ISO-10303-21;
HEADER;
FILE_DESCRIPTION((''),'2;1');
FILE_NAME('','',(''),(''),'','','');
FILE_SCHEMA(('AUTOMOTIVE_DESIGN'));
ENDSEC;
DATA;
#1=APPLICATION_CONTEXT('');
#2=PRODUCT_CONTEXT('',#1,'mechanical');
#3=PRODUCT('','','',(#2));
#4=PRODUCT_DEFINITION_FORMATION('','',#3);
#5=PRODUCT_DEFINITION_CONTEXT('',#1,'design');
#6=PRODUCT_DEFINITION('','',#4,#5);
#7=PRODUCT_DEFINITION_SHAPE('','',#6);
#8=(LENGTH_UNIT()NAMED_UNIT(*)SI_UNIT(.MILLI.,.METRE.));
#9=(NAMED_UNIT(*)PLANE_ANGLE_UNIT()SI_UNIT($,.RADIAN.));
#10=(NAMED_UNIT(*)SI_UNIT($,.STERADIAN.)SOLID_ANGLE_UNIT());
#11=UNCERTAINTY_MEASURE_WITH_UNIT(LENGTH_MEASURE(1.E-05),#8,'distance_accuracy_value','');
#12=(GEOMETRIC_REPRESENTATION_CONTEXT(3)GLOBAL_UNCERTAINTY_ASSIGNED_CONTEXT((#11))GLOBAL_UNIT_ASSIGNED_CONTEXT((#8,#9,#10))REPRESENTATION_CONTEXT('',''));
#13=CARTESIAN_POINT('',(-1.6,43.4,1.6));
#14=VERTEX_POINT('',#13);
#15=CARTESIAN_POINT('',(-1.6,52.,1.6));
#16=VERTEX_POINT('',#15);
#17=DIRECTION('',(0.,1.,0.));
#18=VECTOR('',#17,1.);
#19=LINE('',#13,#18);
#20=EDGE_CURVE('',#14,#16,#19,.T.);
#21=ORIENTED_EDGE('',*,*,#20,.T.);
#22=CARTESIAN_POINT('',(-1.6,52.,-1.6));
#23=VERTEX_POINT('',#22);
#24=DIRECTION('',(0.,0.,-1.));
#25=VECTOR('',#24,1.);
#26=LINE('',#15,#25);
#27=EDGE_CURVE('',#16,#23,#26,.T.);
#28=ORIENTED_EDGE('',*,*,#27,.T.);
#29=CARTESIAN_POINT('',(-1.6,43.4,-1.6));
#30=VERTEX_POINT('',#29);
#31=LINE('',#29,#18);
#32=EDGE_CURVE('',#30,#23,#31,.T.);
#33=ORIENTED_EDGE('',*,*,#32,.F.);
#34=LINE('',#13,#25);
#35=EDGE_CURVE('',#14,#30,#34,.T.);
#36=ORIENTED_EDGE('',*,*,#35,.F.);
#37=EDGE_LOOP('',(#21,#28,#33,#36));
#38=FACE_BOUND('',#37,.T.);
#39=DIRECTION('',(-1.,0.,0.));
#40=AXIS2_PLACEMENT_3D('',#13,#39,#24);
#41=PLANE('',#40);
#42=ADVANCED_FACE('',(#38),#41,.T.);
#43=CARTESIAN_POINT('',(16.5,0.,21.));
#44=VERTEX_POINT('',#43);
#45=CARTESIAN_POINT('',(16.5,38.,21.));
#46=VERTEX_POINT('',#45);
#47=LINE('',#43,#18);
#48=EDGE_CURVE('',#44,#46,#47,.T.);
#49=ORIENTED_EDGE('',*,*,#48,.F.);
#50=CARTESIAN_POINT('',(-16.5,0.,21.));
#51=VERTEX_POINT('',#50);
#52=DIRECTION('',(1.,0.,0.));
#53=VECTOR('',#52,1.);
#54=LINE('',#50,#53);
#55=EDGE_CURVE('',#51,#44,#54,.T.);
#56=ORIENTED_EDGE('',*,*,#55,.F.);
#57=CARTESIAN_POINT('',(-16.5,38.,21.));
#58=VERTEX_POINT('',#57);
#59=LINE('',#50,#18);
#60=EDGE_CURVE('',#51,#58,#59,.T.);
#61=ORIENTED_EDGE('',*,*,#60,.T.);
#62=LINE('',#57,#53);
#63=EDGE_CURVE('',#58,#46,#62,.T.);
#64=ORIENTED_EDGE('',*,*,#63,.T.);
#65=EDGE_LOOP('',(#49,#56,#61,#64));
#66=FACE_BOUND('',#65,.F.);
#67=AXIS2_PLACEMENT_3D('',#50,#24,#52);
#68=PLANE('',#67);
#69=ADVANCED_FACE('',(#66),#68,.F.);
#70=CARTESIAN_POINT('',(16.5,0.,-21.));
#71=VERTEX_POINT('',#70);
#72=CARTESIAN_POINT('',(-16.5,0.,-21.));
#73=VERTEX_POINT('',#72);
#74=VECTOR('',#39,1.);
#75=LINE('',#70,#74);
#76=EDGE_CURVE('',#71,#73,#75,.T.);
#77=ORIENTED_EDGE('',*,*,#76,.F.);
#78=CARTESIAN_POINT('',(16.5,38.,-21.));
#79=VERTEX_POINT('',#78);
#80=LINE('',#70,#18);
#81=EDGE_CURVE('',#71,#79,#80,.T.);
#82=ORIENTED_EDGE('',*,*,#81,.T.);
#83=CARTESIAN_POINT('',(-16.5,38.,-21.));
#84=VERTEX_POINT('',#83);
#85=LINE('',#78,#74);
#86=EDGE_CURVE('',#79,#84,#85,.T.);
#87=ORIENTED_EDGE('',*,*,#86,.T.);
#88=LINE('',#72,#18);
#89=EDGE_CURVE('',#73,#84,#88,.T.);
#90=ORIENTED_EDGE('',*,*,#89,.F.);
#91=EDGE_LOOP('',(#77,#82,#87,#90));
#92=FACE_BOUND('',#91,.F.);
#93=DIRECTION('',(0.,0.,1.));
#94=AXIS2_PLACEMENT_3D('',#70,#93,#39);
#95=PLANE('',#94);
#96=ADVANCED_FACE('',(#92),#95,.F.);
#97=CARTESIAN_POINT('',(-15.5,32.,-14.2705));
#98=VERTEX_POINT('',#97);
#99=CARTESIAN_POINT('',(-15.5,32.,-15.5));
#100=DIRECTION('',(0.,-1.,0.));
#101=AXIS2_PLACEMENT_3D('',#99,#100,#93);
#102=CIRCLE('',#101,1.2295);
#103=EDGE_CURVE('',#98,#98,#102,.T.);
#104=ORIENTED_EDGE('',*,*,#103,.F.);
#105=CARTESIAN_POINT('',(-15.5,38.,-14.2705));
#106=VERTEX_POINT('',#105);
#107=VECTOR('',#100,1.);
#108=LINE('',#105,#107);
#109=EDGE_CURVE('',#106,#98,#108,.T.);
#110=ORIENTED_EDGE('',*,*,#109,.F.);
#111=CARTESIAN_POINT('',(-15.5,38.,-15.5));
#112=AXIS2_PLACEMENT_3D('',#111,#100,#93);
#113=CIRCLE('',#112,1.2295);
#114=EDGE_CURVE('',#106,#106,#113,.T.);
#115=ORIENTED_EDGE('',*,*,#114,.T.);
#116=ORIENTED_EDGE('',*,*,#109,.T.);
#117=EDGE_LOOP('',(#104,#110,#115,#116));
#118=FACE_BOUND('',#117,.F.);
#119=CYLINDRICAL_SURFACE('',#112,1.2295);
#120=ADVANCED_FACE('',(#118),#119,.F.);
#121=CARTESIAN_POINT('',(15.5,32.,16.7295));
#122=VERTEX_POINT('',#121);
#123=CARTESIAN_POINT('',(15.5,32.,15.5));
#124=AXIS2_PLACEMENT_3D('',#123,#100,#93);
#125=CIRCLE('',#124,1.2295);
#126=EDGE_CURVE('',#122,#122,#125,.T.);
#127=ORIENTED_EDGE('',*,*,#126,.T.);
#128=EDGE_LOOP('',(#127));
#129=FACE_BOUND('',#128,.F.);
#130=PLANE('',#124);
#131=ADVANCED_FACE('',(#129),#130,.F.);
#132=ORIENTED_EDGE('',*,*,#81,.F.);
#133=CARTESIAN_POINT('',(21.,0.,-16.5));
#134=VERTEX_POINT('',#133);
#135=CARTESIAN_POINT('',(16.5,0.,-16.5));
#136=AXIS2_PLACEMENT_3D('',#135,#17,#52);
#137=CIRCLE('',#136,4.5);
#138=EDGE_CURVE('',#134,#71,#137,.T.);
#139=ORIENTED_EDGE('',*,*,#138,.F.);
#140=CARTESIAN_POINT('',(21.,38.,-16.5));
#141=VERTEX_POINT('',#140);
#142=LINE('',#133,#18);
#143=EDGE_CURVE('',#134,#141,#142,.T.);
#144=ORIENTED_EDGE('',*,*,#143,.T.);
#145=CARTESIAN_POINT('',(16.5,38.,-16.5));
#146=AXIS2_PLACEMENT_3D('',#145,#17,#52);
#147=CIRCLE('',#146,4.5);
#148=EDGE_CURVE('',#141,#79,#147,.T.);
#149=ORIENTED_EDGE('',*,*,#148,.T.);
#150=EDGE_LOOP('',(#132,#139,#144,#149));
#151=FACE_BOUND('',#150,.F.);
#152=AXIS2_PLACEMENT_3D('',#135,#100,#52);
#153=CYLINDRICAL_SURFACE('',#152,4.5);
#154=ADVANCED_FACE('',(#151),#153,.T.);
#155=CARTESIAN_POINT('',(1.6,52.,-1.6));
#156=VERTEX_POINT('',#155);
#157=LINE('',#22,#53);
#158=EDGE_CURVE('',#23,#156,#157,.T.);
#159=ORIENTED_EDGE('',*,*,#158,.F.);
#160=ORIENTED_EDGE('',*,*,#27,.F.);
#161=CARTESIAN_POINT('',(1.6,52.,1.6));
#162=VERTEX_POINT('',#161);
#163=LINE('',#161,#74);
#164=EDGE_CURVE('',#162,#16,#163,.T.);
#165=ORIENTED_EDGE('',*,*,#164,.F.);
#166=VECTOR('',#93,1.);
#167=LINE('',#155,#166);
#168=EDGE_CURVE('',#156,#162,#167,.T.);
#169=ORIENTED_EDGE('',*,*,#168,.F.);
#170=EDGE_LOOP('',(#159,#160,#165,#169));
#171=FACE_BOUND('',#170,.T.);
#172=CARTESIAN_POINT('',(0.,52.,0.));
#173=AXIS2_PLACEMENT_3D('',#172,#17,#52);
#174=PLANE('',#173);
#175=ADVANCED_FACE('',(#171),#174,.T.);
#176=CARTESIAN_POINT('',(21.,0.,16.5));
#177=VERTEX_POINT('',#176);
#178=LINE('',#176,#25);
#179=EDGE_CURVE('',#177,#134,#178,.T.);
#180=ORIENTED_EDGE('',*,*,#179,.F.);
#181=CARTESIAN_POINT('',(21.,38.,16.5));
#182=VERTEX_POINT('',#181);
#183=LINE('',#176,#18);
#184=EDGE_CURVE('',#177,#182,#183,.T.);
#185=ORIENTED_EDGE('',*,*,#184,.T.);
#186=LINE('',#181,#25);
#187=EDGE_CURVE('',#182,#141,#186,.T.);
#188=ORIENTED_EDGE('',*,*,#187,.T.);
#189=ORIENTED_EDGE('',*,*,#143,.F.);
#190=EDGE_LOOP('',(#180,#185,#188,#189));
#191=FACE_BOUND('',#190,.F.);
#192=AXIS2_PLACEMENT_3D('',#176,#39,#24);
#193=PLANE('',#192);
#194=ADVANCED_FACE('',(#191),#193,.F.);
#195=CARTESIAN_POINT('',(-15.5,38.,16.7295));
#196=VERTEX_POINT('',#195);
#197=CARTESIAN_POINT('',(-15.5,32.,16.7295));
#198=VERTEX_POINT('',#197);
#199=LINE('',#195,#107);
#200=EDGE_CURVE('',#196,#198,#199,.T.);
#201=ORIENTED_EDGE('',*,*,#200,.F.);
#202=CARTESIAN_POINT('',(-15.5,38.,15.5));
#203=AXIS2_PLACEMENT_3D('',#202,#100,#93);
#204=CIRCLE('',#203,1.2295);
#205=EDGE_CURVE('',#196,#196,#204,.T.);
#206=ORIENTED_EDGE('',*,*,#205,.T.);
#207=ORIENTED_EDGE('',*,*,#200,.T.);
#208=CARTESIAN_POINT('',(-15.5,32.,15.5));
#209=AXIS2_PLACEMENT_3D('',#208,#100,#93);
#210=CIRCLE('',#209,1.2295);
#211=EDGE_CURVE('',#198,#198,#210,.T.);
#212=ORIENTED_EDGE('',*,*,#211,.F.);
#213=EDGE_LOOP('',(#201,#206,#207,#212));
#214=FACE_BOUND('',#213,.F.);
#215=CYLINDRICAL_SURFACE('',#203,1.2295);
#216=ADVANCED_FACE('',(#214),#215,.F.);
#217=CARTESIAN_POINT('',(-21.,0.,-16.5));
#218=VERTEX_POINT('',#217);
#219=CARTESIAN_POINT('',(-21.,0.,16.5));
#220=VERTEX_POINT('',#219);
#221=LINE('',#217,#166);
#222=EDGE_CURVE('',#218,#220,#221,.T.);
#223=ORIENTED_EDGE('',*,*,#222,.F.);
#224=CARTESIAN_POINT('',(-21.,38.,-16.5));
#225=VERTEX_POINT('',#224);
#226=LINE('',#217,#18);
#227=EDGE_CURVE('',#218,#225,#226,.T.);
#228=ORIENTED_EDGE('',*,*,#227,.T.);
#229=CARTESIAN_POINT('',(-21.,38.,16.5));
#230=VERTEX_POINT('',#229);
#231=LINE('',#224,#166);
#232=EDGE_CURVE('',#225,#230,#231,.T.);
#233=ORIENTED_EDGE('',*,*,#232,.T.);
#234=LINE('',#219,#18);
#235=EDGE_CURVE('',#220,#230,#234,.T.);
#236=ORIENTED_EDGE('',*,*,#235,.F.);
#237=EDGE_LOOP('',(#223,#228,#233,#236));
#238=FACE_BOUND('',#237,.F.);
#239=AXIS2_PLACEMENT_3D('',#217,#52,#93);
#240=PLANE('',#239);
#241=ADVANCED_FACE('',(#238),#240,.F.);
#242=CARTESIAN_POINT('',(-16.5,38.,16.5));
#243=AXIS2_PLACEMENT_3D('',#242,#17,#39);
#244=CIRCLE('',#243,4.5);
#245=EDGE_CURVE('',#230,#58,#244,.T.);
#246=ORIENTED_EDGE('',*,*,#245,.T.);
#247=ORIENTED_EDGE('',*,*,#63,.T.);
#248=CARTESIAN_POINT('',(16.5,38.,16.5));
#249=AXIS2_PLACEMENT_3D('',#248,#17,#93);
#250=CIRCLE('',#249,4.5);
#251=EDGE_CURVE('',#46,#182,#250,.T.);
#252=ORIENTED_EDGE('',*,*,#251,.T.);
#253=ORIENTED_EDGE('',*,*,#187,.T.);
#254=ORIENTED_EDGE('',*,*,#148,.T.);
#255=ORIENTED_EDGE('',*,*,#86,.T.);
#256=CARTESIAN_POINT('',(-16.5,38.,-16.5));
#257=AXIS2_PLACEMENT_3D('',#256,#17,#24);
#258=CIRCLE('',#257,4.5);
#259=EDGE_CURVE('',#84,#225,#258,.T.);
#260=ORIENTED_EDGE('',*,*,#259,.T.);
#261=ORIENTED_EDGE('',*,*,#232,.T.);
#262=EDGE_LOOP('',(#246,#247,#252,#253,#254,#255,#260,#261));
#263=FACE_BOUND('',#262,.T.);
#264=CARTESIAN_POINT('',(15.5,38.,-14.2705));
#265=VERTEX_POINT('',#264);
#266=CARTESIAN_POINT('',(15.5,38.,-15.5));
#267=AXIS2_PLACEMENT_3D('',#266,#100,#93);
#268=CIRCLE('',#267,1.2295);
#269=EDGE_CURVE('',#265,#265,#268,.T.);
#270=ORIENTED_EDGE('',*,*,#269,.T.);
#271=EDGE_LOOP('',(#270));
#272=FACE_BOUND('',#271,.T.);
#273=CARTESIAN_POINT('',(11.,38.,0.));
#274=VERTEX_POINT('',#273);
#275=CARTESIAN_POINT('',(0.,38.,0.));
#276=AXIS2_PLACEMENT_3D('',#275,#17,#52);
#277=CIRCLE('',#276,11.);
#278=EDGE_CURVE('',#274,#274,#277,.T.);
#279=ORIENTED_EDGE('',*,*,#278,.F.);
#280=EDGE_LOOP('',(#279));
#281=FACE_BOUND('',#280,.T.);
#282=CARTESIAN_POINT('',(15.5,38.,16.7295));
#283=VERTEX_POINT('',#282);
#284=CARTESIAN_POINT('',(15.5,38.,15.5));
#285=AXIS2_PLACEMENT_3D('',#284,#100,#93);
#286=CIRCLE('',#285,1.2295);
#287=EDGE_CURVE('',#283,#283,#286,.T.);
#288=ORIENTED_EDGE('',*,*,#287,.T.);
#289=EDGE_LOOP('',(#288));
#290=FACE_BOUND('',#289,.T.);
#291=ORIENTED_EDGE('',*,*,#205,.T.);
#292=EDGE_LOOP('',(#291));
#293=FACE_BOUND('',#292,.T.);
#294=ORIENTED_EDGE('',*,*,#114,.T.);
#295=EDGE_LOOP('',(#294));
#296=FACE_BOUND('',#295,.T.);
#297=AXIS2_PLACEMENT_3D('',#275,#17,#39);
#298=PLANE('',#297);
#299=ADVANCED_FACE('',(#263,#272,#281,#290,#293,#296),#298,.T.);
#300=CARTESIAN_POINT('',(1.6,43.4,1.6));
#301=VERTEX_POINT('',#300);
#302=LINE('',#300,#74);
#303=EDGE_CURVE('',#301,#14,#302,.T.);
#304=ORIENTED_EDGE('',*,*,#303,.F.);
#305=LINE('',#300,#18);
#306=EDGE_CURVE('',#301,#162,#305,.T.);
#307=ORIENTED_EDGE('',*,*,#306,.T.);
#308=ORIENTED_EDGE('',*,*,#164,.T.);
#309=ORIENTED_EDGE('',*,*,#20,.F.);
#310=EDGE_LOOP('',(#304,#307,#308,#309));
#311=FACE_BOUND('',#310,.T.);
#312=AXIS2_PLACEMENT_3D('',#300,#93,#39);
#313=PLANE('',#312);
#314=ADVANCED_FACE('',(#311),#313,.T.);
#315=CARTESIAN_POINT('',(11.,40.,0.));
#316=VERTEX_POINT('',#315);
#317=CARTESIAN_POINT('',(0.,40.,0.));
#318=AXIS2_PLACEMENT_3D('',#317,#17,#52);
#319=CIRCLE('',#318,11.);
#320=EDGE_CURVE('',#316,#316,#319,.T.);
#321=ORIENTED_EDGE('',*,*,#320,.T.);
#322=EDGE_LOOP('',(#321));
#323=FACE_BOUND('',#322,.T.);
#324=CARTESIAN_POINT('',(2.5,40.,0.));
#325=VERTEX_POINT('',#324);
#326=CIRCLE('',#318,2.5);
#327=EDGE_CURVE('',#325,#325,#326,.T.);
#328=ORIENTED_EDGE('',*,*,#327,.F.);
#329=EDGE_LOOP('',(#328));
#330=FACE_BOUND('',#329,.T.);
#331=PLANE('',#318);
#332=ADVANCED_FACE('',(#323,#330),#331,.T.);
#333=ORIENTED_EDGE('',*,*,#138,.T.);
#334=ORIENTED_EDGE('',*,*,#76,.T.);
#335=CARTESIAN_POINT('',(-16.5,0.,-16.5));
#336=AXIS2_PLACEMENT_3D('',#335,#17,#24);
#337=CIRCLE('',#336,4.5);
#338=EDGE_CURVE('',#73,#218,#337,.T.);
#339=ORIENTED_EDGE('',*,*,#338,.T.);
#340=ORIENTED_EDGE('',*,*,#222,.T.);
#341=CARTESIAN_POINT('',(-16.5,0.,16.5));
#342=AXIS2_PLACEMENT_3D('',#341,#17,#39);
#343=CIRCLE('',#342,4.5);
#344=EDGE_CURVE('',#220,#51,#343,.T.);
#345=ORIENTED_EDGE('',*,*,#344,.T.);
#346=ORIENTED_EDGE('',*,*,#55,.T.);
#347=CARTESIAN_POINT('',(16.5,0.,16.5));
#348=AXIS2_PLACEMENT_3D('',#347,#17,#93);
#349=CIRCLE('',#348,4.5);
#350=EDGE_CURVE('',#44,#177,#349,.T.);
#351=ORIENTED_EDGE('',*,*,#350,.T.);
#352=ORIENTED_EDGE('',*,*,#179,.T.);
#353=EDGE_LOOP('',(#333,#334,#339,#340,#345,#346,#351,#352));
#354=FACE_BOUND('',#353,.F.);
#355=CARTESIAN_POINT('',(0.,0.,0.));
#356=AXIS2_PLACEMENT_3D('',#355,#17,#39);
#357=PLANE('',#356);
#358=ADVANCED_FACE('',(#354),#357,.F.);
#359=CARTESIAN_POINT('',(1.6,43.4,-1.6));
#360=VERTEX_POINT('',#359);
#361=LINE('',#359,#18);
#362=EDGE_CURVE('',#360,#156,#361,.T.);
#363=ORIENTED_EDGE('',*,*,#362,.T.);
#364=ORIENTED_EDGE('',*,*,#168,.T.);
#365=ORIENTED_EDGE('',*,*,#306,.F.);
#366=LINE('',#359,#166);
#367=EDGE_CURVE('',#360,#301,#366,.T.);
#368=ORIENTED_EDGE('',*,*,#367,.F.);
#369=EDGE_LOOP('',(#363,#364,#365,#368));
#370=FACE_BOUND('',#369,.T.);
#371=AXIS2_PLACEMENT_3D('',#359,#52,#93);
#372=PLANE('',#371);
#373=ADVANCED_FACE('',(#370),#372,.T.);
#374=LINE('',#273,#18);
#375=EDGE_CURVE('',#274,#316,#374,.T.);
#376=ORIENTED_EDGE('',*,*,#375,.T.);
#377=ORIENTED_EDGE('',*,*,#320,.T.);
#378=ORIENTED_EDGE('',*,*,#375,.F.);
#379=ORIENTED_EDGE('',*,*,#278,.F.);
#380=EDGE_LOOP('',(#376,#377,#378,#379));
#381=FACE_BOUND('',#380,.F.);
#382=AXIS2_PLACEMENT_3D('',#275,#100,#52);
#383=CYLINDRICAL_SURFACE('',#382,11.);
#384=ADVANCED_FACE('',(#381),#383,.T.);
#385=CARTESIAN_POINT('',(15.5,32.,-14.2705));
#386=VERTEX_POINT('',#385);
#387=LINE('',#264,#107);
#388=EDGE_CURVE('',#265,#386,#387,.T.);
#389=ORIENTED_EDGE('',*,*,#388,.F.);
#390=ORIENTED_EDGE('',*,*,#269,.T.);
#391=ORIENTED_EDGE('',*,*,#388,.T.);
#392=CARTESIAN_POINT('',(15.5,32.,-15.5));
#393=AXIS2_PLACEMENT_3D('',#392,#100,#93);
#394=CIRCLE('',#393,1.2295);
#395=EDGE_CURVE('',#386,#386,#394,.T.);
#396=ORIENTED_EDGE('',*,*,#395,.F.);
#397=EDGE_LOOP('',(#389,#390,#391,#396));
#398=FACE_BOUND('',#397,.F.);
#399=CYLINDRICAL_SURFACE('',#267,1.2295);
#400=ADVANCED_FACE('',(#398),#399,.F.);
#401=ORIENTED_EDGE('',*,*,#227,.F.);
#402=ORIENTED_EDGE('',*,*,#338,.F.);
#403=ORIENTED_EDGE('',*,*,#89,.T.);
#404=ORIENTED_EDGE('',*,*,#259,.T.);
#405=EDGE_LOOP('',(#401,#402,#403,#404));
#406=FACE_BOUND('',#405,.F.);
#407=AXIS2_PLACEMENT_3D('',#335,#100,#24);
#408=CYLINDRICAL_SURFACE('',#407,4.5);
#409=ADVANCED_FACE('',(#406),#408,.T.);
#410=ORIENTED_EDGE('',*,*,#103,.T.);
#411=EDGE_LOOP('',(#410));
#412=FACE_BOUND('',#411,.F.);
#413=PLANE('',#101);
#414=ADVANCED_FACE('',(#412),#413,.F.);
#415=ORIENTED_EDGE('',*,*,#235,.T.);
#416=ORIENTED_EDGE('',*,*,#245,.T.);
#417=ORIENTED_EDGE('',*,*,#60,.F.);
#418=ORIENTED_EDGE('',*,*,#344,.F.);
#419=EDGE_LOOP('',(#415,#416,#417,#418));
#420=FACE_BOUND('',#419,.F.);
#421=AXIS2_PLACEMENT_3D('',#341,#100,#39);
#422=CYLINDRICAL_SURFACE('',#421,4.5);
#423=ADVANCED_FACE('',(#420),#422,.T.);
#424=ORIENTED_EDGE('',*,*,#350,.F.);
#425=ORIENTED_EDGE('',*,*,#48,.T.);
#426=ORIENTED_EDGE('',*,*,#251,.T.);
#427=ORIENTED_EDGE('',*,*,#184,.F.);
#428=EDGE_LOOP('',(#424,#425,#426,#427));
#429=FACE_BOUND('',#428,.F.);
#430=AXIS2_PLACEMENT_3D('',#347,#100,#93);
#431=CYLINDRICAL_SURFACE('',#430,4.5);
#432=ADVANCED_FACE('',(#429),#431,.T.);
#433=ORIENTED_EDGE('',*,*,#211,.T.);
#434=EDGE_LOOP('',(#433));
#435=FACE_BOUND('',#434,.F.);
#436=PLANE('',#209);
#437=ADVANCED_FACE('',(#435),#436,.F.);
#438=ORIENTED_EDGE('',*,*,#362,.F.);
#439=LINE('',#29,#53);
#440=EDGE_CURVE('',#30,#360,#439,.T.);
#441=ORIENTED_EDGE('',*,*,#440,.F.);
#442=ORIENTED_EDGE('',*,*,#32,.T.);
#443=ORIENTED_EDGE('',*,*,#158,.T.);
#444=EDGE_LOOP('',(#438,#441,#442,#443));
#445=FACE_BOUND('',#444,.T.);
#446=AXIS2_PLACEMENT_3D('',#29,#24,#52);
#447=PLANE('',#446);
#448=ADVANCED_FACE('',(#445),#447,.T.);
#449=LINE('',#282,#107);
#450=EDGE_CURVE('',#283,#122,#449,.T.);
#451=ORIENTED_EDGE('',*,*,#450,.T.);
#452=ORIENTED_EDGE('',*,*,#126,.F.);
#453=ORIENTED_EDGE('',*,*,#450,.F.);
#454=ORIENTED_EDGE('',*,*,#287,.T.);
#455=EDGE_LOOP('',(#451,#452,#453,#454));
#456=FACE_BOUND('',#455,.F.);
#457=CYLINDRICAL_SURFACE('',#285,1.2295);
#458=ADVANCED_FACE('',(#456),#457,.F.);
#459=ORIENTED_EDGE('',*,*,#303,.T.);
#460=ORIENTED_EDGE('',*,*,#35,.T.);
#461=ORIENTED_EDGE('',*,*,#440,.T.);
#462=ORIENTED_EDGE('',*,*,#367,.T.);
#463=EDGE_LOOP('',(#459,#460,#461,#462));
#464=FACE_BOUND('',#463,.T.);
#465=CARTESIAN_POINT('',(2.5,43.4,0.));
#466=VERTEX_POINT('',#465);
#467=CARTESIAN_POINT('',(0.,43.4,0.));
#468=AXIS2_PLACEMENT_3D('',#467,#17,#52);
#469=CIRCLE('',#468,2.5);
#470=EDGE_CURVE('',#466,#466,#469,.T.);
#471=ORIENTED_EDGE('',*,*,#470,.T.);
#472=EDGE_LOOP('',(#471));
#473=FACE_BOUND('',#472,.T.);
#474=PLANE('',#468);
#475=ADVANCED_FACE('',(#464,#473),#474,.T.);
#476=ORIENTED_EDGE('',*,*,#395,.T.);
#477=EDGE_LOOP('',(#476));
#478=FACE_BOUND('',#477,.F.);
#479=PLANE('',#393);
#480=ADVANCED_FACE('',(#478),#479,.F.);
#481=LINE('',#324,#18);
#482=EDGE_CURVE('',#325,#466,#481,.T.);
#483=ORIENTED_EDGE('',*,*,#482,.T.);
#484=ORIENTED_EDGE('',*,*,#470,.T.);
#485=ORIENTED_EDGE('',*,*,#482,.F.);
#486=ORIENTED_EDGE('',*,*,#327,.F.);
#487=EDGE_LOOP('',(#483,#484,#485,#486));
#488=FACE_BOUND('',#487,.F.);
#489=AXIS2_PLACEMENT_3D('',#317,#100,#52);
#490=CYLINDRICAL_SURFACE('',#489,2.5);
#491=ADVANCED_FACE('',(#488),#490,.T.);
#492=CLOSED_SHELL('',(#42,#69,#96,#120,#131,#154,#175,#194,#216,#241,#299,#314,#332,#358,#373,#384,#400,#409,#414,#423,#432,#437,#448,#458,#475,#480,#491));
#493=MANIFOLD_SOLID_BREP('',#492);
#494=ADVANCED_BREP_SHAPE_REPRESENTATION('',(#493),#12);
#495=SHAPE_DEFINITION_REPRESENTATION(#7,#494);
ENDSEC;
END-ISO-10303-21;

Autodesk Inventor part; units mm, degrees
ref_plane "YZ Plane" through (0, 0, 0) normal (1, 0, 0) x (0, 1, 0)
ref_plane "XZ Plane" through (0, 0, 0) normal (0, 1, 0) x (-1, 0, 0)
ref_plane "XY Plane" through (0, 0, 0) normal (0, 0, 1) x (1, 0, 0)
sketch "Sketch1" plane through (0, 0, 0) normal (0, 1, 0) x (-1, 0, 0)
  line L0 (-16.5, -21) -> (16.5, -21)
  line L1 (21, -16.5) -> (21, 16.5)
  line L2 (16.5, 21) -> (-16.5, 21)
  line L3 (-21, 16.5) -> (-21, -16.5)
  line L4 (-21, -21) -> (21, 21) construction
  line L5 (21, -21) -> (-21, 21) construction
  arc A0 (21, 16.5) -> (16.5, 21) centre (16.5, 16.5) ccw
  arc A1 (-16.5, 21) -> (-21, 16.5) centre (-16.5, 16.5) ccw
  arc A2 (-21, -16.5) -> (-16.5, -21) centre (-16.5, -16.5) ccw
  arc A3 (16.5, -21) -> (21, -16.5) centre (16.5, -16.5) ccw
  point P0 (0, 0)
  dimension "d0" = 42
  dimension "d1" = 42
  dimension "d2" = 4.5
extrude "Extrusion1" add sketch "Sketch1" along normal blind 38
sketch "Sketch2" plane through (0, 38, 0) normal (0, 1, 0) x (1, 0, 0)
  circle A0 centre (0, 0) radius 11
  dimension "d5" = 22
extrude "Extrusion2" add sketch "Sketch2" along normal blind 2
sketch "Sketch3" plane through (0, 38, 0) normal (0, 1, 0) x (1, 0, 0)
  line L0 (-15.5, -15.5) -> (15.5, -15.5) construction
  line L1 (15.5, -15.5) -> (15.5, 15.5) construction
  line L2 (15.5, 15.5) -> (-15.5, 15.5) construction
  line L3 (-15.5, 15.5) -> (-15.5, -15.5) construction
  line L4 (-15.5, -15.5) -> (15.5, 15.5) construction
  line L5 (15.5, -15.5) -> (-15.5, 15.5) construction
  point P0 (0, 0)
  dimension "d8" = 31
  dimension "d9" = 31
hole "Hole1" at (-15.5, 38, 15.5) at (-15.5, 38, -15.5) at (15.5, 38, -15.5) at (15.5, 38, 15.5) direction (0, -1, 0) diameter 2.459 depth 6 thread size "M3x0.5" class "6H" standard "ISO Metric profile"
sketch "Sketch4" plane through (0, 40, 0) normal (0, 1, 0) x (1, 0, 0)
  circle A0 centre (0, 0) radius 2.5
  dimension "d17" = 5
extrude "Extrusion3" add sketch "Sketch4" along normal blind 3.4
sketch "Sketch5" plane through (0, 43.4, 0) normal (0, 1, 0) x (1, 0, 0)
  line L0 (1.6, -1.6) -> (-1.6, -1.6)
  line L1 (-1.6, -1.6) -> (-1.6, 1.6)
  line L2 (-1.6, 1.6) -> (1.6, 1.6)
  line L3 (1.6, 1.6) -> (1.6, -1.6)
  circle A0 centre (0, 0) radius 2.5 construction
  line L4 (1.6, -1.6) -> (-1.6, 1.6) construction
  line L5 (-1.6, -1.6) -> (1.6, 1.6) construction
  circle A1 centre (0, 0) radius 2.5 construction
  circle A2 centre (0, 0) radius 11 projected
  dimension "d20" = 3.2
  dimension "d21" = 3.2
extrude "Extrusion4" add sketch "Sketch5" along normal blind 8.6 contours L0 L1 L2 L3
properties part number "stepper"
